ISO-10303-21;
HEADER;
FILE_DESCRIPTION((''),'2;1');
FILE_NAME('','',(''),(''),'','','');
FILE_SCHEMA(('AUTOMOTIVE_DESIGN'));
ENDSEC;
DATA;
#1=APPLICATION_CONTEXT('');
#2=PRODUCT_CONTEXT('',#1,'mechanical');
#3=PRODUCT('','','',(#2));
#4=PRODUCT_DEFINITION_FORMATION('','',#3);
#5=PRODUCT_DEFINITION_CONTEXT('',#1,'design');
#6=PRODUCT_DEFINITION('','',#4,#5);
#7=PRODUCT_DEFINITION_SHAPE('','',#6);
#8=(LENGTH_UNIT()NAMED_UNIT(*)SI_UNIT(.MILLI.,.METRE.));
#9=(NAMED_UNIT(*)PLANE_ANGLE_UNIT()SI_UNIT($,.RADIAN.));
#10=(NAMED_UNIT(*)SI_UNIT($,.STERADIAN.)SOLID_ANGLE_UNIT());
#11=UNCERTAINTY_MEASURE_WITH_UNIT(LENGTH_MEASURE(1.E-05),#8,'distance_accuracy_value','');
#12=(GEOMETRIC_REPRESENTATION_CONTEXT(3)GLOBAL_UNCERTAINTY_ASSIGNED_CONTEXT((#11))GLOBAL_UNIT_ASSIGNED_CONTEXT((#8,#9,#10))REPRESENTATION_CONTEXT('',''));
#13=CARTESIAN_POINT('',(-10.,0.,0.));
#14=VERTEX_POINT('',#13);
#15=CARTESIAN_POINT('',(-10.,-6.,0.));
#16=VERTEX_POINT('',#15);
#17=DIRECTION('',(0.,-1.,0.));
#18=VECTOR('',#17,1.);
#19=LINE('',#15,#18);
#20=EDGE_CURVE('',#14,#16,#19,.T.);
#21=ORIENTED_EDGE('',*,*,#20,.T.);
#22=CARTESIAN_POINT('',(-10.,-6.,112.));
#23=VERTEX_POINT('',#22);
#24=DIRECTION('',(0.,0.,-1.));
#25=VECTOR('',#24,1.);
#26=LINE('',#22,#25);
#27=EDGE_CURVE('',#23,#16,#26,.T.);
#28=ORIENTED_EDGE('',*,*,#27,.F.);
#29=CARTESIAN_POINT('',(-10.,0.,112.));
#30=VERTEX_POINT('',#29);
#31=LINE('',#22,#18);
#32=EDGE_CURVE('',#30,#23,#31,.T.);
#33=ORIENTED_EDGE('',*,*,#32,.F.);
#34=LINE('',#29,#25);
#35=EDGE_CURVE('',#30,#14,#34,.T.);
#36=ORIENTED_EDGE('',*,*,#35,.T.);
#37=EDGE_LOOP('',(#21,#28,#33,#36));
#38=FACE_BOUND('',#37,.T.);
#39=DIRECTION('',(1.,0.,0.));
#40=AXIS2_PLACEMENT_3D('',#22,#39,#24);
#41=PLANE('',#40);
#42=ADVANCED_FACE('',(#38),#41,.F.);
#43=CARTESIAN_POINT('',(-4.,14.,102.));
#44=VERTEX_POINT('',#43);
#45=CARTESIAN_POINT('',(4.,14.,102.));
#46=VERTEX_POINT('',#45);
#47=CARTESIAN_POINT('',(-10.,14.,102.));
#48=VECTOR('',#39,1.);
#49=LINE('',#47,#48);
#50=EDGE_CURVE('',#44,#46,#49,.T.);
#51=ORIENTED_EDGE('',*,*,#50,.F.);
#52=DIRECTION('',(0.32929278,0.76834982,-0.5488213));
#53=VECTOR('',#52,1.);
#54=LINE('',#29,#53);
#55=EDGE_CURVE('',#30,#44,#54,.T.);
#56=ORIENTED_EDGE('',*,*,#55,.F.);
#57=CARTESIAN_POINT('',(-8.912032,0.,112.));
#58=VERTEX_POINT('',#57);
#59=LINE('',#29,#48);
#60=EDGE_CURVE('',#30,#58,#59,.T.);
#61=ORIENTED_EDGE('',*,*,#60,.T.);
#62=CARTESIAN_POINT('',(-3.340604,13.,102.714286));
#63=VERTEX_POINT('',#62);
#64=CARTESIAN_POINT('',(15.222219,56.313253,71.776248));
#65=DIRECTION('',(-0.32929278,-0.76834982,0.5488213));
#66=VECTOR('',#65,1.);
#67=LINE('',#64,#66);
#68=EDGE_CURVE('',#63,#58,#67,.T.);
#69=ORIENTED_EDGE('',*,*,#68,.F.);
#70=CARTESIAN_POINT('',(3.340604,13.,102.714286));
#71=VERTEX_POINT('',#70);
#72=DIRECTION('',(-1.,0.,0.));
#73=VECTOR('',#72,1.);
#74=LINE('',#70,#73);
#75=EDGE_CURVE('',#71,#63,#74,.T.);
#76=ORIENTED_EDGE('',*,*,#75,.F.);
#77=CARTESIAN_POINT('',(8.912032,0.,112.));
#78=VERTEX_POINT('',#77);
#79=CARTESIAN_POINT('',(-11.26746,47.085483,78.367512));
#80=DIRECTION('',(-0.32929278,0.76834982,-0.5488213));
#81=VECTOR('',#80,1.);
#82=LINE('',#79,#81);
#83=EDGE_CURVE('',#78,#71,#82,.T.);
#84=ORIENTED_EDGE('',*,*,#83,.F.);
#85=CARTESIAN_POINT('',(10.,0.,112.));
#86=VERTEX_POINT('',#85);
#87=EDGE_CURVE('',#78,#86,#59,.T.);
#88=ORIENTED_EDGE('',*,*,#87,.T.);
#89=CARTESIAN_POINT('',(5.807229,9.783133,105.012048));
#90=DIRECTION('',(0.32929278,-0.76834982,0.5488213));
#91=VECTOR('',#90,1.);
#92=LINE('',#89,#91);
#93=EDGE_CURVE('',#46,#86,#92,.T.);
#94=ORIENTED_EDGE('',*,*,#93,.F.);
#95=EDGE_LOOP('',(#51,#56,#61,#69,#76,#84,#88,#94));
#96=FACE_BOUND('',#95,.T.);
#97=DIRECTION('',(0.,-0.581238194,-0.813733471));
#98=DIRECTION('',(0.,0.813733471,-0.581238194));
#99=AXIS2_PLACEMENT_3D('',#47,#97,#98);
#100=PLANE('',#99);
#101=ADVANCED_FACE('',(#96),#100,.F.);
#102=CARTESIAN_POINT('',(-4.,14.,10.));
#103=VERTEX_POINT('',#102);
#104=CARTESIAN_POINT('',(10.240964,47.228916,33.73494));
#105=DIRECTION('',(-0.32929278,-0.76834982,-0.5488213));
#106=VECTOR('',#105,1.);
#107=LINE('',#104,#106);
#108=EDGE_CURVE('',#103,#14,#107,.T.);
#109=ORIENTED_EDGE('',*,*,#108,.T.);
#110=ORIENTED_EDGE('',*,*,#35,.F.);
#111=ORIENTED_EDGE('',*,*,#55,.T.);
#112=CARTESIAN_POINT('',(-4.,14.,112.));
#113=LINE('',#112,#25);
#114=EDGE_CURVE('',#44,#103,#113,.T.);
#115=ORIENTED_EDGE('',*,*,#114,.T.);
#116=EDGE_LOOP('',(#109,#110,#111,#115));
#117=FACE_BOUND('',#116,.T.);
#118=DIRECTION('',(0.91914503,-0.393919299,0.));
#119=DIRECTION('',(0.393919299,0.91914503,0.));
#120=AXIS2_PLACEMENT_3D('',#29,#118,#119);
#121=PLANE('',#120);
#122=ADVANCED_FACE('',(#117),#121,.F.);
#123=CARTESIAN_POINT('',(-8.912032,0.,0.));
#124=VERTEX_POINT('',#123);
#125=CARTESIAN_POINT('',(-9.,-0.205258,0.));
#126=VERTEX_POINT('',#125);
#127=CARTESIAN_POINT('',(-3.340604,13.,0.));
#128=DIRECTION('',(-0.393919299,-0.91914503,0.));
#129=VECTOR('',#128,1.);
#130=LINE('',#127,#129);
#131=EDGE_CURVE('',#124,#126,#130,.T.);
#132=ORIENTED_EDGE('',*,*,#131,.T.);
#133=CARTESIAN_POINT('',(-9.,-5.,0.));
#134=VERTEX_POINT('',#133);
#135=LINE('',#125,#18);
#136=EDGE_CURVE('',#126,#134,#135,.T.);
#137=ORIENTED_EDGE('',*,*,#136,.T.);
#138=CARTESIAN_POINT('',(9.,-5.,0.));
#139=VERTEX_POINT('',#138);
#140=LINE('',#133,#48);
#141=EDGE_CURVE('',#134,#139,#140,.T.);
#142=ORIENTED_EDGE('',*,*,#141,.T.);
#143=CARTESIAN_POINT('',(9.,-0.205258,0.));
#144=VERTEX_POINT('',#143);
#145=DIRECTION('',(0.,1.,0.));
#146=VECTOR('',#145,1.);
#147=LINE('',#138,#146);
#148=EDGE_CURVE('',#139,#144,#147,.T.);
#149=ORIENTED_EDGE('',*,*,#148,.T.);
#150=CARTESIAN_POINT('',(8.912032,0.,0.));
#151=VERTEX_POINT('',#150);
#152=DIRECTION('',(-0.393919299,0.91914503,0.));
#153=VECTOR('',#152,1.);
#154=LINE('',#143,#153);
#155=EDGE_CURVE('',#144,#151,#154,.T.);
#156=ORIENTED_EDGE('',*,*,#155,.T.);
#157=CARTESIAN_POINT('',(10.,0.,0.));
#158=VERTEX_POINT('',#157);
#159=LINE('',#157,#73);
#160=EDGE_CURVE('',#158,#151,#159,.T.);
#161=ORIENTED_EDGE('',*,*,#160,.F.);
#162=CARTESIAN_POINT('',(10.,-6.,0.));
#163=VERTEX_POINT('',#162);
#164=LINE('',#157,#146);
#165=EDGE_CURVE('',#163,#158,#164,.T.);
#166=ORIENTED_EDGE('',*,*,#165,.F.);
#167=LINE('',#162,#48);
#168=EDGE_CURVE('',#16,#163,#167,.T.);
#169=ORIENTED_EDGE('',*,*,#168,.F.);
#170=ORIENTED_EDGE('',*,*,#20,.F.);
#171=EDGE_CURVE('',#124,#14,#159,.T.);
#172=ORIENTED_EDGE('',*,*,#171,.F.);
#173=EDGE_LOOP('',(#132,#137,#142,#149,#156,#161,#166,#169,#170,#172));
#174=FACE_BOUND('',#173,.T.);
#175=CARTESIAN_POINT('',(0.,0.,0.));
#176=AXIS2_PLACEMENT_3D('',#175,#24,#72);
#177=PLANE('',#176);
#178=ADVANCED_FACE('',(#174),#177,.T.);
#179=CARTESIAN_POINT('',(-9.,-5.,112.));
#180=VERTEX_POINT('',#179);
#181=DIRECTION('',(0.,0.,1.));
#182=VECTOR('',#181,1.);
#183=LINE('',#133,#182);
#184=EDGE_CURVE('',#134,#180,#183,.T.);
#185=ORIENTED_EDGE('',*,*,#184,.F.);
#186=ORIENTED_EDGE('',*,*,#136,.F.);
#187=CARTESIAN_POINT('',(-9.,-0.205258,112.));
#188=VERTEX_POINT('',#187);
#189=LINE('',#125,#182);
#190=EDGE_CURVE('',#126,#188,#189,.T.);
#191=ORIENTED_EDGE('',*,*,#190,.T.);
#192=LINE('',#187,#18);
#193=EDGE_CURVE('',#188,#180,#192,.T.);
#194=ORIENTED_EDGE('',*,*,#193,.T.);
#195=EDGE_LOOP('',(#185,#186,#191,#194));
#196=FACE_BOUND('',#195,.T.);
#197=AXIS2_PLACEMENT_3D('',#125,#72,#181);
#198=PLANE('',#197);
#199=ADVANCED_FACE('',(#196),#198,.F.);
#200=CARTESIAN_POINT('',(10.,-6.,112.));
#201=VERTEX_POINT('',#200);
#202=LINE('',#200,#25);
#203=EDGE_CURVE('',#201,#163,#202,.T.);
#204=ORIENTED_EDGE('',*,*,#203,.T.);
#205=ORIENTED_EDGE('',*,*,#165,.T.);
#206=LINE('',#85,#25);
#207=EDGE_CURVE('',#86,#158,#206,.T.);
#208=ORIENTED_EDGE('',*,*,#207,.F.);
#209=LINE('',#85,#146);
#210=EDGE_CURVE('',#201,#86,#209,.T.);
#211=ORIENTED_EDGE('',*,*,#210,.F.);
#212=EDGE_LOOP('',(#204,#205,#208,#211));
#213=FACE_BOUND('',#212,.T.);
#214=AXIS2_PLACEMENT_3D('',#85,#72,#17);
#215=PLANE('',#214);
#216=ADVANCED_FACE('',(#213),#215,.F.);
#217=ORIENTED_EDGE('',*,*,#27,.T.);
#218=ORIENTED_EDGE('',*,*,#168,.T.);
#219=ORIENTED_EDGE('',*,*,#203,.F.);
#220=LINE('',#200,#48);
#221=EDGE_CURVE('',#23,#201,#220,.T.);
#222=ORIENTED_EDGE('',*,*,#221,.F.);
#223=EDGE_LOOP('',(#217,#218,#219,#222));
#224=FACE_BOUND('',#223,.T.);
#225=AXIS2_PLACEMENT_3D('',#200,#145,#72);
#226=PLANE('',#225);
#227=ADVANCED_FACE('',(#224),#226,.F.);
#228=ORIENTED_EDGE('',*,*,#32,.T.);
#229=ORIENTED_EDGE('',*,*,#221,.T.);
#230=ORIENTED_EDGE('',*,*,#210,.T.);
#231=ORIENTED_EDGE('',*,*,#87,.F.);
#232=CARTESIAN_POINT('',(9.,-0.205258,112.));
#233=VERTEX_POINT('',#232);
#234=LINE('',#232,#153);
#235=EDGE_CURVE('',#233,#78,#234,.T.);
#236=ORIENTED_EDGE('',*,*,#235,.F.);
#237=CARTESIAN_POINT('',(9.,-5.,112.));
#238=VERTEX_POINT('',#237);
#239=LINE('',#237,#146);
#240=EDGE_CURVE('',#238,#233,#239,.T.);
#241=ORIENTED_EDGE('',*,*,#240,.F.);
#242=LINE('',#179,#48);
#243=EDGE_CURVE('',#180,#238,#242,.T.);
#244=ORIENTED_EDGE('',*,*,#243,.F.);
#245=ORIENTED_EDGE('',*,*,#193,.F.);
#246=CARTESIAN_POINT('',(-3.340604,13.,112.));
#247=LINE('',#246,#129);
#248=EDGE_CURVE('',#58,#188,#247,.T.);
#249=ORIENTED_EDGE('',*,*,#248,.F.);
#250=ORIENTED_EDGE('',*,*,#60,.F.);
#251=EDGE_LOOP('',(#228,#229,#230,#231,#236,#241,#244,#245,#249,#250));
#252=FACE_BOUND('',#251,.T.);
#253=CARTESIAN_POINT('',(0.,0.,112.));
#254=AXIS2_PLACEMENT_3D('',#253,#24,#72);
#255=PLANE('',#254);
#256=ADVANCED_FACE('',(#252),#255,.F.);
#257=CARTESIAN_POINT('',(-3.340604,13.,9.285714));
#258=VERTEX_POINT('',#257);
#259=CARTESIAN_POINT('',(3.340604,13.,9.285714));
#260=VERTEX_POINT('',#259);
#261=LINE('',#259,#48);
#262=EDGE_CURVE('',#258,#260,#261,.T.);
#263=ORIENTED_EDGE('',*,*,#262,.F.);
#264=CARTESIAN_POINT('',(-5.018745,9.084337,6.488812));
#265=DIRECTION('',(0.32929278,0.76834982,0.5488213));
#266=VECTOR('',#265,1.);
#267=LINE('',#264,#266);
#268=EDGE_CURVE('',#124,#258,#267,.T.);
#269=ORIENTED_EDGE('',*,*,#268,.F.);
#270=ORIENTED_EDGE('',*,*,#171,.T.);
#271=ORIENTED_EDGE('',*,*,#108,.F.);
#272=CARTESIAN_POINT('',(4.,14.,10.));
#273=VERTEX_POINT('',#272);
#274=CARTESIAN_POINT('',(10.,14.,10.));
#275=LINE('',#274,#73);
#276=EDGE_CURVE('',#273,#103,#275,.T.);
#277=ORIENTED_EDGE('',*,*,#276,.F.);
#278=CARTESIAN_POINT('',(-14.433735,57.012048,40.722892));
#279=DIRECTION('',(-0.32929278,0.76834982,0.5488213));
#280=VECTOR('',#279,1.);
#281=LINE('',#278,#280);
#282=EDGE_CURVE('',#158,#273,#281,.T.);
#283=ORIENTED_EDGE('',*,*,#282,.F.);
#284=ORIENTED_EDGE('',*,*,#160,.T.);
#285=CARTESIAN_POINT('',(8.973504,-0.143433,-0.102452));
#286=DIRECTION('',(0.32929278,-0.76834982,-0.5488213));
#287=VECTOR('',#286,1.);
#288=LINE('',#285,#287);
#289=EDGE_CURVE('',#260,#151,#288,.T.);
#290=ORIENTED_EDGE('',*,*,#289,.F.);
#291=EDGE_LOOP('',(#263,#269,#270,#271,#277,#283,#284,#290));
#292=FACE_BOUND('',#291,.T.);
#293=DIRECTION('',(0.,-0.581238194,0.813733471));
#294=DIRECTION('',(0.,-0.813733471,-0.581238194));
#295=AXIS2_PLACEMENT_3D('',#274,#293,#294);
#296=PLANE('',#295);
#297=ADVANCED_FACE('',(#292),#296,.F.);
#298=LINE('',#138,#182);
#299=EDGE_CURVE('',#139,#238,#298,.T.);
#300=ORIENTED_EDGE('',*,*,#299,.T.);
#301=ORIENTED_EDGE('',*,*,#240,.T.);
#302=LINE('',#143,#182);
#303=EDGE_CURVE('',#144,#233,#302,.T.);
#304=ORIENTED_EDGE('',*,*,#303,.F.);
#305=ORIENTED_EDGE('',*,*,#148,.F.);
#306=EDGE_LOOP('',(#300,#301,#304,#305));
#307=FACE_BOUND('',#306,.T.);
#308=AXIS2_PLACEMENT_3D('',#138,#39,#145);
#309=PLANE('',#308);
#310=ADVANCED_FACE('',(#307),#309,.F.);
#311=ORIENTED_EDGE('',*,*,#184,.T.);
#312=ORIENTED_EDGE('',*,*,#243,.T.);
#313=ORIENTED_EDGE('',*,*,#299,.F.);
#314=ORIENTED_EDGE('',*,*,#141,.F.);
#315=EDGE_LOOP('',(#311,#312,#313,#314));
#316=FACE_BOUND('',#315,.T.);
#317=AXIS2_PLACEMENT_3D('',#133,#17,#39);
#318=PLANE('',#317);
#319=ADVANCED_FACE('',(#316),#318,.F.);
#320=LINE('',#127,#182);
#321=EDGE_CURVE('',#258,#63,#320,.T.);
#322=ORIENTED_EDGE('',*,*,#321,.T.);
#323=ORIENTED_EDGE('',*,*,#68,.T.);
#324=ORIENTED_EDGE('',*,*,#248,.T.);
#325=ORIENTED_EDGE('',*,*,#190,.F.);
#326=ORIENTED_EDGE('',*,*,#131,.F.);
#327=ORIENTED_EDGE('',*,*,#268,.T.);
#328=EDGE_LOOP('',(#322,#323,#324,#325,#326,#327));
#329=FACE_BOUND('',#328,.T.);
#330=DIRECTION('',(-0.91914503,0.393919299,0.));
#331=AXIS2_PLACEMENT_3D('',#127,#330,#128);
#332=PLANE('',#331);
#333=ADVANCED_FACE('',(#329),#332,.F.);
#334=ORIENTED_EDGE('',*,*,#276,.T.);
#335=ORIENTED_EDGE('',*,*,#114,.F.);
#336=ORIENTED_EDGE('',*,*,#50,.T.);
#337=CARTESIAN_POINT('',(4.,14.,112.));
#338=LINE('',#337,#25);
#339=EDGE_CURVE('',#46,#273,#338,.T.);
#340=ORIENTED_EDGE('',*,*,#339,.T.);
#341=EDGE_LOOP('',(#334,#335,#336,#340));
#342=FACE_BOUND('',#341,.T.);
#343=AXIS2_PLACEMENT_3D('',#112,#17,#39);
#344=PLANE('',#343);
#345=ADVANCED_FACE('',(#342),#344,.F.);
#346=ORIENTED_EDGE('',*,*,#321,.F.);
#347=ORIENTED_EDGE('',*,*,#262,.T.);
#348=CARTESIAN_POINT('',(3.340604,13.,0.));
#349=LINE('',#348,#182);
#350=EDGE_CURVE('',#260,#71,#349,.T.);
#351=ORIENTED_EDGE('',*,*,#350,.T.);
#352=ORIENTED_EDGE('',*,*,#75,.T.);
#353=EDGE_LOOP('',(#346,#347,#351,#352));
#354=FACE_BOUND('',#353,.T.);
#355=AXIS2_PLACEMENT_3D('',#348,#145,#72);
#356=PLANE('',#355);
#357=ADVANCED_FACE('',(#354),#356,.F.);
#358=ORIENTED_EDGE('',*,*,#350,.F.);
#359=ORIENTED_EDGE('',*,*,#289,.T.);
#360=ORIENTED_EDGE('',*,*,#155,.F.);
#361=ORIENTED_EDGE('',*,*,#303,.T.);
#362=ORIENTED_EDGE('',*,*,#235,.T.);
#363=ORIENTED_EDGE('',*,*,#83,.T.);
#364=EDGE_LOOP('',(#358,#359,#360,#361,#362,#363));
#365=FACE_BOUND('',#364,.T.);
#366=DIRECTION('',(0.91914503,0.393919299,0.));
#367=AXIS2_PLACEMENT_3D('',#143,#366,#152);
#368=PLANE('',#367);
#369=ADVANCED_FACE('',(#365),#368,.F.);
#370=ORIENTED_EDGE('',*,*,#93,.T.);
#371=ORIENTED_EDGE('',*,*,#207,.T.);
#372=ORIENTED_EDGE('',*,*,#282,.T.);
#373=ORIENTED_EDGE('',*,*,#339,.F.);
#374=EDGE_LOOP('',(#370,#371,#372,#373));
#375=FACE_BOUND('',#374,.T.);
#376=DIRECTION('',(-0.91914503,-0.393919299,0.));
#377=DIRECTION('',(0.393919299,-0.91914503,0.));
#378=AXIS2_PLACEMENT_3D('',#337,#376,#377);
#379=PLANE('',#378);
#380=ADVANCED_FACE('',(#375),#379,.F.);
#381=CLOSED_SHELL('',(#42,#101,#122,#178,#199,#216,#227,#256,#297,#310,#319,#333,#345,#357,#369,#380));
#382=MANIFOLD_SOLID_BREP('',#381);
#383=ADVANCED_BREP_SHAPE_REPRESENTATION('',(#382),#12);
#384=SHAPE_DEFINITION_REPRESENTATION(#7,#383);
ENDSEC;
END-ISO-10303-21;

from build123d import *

# Parameters (mm, degrees)
BOSS_EXTRUDE1_DEPTH = 112
CUT_EXTRUDE1_DEPTH  = 113
CUT_EXTRUDE2_DEPTH  = 21
CUT_EXTRUDE3_DEPTH  = 21


with BuildPart() as part:
    # Sketch1 → Boss-Extrude1 (new body)
    with BuildSketch(Plane.XY):
        Polygon((-4, 14), (4, 14), (10, 0), (10, -6), (-10, -6), (-10, 0), align=None)
    extrude(amount=BOSS_EXTRUDE1_DEPTH)

    # Sketch2 → Cut-Extrude1 (cut, through all)
    with BuildSketch(Plane.XY.offset(112)):
        Polygon((-3.340603842, 13), (-9, -0.205257702), (-9, -5), (9, -5), (9, -0.205257702), (3.340603842, 13), align=None)
    extrude(amount=-CUT_EXTRUDE1_DEPTH, mode=Mode.SUBTRACT)

    # Sketch4 → Cut-Extrude2 (cut, through all)
    with BuildSketch(Plane(origin=(10, 0, 0), x_dir=(0, 0, -1), z_dir=(1, 0, 0))):
        Polygon((-112, 14), (-102, 14), (-112, 0), align=None)
    extrude(amount=-CUT_EXTRUDE2_DEPTH, mode=Mode.SUBTRACT)

    # Sketch5 → Cut-Extrude3 (cut, through all)
    with BuildSketch(Plane.ZY.offset(10)):
        Polygon((0, 14), (10, 14), (0, 0), align=None)
    extrude(amount=-CUT_EXTRUDE3_DEPTH, mode=Mode.SUBTRACT)


solid = part.part
